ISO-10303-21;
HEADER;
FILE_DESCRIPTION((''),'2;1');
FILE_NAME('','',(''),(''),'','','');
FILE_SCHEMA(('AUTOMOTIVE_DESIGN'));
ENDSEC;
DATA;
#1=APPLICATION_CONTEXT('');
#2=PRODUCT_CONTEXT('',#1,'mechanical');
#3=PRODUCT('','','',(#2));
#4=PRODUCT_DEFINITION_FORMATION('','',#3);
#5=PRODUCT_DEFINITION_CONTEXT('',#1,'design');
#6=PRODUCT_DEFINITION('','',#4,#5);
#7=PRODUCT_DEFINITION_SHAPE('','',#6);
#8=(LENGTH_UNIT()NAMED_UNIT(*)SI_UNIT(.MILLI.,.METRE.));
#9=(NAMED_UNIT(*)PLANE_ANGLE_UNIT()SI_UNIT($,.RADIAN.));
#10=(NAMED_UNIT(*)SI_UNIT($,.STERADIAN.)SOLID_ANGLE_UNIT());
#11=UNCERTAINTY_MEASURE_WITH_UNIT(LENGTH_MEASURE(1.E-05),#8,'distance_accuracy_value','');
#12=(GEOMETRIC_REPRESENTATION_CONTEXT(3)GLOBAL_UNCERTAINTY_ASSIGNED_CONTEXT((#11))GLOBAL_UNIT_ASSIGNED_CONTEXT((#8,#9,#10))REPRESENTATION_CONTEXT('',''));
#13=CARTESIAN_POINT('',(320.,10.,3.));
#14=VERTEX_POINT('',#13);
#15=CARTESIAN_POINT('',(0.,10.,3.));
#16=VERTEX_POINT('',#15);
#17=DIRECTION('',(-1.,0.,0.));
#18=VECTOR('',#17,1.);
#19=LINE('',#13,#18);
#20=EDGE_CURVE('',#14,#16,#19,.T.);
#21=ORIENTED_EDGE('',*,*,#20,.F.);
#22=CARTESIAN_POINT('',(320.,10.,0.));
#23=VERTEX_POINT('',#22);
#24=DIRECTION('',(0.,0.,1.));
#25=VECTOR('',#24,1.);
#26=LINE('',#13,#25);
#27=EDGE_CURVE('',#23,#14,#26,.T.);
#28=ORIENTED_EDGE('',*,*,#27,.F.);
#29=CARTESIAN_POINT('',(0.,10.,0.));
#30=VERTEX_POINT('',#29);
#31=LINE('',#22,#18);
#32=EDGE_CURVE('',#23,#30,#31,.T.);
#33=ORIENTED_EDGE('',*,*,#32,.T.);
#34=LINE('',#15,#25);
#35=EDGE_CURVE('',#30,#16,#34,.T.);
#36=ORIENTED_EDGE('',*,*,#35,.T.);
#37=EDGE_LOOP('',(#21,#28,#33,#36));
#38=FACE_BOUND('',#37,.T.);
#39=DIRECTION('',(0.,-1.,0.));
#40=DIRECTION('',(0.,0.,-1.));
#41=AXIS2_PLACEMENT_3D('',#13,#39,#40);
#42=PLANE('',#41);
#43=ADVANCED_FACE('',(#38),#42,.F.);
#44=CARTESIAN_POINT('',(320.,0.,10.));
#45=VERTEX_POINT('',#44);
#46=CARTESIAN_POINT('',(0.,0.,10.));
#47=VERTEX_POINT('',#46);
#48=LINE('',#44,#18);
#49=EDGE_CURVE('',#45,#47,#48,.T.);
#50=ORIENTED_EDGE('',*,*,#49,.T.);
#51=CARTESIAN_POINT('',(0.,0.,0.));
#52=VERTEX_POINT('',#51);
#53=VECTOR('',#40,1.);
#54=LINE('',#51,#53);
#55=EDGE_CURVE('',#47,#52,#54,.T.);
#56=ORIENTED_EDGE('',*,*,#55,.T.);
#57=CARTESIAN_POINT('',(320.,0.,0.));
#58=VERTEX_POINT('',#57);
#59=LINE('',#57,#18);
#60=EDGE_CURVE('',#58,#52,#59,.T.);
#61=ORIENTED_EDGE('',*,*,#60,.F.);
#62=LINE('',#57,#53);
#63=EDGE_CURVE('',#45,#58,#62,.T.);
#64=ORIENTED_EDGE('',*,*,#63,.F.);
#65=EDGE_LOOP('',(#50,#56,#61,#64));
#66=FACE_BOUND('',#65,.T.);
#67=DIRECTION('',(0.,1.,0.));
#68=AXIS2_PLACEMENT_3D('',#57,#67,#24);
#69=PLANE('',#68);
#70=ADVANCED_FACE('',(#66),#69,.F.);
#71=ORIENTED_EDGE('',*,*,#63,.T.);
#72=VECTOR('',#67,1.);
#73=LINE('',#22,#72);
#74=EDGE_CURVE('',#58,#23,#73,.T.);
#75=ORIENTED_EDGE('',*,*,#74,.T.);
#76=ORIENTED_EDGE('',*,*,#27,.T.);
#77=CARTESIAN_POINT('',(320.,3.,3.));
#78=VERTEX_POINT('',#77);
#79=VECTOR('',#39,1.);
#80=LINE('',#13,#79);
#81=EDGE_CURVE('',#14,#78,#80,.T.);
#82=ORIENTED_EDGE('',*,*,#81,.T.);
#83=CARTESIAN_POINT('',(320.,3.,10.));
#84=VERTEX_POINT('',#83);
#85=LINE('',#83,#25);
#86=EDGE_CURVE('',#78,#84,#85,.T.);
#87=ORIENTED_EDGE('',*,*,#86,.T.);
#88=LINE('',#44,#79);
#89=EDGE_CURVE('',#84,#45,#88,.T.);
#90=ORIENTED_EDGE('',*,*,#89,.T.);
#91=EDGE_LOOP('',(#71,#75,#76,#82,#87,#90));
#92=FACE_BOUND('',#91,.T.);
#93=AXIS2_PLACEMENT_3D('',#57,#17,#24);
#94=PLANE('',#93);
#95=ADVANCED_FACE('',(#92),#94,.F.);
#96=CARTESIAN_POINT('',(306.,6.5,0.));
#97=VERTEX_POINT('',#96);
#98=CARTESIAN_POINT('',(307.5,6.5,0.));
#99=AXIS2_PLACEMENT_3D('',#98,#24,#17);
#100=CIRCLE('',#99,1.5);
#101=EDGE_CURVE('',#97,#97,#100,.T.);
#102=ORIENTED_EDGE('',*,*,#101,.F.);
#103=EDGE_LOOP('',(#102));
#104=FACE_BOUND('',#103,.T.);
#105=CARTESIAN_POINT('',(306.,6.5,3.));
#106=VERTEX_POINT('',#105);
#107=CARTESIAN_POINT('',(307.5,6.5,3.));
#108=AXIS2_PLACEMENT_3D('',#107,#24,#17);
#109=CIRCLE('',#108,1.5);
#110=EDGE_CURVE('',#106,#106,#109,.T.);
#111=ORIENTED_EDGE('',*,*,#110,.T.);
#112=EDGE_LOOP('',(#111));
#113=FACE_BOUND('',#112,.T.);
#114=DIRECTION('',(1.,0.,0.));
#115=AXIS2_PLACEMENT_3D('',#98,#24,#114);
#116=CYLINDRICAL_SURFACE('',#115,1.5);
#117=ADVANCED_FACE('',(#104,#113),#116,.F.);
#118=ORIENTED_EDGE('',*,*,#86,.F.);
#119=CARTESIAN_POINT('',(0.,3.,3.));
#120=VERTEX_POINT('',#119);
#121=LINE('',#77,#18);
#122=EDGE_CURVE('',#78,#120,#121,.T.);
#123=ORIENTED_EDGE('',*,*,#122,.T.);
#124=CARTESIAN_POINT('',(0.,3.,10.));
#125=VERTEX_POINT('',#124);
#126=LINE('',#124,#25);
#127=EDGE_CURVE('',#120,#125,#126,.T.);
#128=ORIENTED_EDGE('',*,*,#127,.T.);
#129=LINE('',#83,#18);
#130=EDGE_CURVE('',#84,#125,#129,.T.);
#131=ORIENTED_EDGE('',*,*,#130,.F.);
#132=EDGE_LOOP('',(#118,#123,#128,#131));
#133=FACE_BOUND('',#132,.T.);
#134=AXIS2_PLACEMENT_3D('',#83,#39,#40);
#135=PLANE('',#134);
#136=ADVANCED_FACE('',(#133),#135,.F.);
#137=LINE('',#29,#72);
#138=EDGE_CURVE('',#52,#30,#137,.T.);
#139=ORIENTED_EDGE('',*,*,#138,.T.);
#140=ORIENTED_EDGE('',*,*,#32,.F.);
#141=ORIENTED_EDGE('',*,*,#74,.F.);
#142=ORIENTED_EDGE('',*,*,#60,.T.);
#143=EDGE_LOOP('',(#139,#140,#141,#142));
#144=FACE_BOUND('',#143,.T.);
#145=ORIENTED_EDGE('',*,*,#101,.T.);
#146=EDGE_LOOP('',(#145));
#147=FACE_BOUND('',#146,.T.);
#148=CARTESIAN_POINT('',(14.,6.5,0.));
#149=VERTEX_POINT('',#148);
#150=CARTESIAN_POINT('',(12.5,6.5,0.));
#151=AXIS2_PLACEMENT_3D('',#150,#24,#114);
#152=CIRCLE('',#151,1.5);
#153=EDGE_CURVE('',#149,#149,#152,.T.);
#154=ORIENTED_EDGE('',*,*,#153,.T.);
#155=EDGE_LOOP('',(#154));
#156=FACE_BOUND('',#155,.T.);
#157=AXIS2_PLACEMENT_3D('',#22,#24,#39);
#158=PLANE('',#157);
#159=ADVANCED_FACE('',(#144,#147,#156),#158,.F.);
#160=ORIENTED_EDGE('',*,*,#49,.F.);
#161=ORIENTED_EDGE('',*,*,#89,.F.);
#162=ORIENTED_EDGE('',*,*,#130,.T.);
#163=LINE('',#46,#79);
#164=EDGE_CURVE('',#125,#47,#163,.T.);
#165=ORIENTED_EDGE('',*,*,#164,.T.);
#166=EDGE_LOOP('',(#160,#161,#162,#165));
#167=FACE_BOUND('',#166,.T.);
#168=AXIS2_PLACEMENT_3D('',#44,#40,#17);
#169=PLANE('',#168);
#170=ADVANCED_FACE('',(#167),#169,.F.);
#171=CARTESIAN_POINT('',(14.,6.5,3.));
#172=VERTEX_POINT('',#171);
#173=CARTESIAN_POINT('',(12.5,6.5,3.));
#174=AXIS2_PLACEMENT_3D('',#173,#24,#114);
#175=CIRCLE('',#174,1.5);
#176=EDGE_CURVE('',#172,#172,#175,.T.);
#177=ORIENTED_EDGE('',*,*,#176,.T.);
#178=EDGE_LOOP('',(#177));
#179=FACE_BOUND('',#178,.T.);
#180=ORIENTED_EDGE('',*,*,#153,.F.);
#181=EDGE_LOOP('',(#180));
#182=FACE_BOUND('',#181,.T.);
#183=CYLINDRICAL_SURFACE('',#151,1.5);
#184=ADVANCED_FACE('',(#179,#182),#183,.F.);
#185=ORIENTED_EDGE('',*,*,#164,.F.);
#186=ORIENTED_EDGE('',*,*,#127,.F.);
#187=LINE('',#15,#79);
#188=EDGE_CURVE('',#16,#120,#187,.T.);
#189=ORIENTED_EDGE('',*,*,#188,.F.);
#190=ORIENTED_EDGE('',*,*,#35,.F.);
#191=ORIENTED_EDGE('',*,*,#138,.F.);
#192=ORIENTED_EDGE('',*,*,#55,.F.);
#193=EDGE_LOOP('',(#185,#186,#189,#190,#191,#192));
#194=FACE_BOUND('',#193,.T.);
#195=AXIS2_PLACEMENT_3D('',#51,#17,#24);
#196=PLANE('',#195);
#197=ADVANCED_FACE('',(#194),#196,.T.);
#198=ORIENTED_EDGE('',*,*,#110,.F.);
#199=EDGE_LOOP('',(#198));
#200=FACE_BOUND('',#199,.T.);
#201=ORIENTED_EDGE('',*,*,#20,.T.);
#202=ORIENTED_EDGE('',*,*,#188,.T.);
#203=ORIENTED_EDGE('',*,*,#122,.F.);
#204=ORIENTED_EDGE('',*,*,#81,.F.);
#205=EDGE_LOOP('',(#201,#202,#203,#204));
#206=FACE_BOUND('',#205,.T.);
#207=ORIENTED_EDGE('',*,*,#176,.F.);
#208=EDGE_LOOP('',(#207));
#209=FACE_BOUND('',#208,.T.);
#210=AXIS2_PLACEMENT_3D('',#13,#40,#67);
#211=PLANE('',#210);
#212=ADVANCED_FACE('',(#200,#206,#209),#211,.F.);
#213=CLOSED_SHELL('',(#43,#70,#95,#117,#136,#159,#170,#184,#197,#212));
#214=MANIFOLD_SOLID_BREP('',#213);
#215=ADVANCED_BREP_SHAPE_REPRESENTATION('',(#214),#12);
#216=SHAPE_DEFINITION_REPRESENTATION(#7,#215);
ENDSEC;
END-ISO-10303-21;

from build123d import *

# Parameters (mm, degrees)
EXTRUDE_1_DEPTH     = 320
SKETCH_2_R          = 1.5
CUT_EXTRUDE_1_DEPTH = 4


with BuildPart() as part:
    # Эскиз1 → Бобышка-Вытянуть1 (new body)
    with BuildSketch(Plane(origin=(0, 0, 0), x_dir=(0, 0, -1), z_dir=(1, 0, 0))):
        Polygon((0, 0), (-10, 0), (-10, 3), (-3, 3), (-3, 10), (0, 10), align=None)
    extrude(amount=EXTRUDE_1_DEPTH)

    # Эскиз2 → Вырез-Вытянуть1 (cut, through all)
    with BuildSketch(Plane.XY.offset(3)):
        with Locations((12.5, 6.5)):
            Circle(SKETCH_2_R)
        with Locations((307.5, 6.5)):
            Circle(SKETCH_2_R)
    extrude(amount=-CUT_EXTRUDE_1_DEPTH, mode=Mode.SUBTRACT)


solid = part.part
